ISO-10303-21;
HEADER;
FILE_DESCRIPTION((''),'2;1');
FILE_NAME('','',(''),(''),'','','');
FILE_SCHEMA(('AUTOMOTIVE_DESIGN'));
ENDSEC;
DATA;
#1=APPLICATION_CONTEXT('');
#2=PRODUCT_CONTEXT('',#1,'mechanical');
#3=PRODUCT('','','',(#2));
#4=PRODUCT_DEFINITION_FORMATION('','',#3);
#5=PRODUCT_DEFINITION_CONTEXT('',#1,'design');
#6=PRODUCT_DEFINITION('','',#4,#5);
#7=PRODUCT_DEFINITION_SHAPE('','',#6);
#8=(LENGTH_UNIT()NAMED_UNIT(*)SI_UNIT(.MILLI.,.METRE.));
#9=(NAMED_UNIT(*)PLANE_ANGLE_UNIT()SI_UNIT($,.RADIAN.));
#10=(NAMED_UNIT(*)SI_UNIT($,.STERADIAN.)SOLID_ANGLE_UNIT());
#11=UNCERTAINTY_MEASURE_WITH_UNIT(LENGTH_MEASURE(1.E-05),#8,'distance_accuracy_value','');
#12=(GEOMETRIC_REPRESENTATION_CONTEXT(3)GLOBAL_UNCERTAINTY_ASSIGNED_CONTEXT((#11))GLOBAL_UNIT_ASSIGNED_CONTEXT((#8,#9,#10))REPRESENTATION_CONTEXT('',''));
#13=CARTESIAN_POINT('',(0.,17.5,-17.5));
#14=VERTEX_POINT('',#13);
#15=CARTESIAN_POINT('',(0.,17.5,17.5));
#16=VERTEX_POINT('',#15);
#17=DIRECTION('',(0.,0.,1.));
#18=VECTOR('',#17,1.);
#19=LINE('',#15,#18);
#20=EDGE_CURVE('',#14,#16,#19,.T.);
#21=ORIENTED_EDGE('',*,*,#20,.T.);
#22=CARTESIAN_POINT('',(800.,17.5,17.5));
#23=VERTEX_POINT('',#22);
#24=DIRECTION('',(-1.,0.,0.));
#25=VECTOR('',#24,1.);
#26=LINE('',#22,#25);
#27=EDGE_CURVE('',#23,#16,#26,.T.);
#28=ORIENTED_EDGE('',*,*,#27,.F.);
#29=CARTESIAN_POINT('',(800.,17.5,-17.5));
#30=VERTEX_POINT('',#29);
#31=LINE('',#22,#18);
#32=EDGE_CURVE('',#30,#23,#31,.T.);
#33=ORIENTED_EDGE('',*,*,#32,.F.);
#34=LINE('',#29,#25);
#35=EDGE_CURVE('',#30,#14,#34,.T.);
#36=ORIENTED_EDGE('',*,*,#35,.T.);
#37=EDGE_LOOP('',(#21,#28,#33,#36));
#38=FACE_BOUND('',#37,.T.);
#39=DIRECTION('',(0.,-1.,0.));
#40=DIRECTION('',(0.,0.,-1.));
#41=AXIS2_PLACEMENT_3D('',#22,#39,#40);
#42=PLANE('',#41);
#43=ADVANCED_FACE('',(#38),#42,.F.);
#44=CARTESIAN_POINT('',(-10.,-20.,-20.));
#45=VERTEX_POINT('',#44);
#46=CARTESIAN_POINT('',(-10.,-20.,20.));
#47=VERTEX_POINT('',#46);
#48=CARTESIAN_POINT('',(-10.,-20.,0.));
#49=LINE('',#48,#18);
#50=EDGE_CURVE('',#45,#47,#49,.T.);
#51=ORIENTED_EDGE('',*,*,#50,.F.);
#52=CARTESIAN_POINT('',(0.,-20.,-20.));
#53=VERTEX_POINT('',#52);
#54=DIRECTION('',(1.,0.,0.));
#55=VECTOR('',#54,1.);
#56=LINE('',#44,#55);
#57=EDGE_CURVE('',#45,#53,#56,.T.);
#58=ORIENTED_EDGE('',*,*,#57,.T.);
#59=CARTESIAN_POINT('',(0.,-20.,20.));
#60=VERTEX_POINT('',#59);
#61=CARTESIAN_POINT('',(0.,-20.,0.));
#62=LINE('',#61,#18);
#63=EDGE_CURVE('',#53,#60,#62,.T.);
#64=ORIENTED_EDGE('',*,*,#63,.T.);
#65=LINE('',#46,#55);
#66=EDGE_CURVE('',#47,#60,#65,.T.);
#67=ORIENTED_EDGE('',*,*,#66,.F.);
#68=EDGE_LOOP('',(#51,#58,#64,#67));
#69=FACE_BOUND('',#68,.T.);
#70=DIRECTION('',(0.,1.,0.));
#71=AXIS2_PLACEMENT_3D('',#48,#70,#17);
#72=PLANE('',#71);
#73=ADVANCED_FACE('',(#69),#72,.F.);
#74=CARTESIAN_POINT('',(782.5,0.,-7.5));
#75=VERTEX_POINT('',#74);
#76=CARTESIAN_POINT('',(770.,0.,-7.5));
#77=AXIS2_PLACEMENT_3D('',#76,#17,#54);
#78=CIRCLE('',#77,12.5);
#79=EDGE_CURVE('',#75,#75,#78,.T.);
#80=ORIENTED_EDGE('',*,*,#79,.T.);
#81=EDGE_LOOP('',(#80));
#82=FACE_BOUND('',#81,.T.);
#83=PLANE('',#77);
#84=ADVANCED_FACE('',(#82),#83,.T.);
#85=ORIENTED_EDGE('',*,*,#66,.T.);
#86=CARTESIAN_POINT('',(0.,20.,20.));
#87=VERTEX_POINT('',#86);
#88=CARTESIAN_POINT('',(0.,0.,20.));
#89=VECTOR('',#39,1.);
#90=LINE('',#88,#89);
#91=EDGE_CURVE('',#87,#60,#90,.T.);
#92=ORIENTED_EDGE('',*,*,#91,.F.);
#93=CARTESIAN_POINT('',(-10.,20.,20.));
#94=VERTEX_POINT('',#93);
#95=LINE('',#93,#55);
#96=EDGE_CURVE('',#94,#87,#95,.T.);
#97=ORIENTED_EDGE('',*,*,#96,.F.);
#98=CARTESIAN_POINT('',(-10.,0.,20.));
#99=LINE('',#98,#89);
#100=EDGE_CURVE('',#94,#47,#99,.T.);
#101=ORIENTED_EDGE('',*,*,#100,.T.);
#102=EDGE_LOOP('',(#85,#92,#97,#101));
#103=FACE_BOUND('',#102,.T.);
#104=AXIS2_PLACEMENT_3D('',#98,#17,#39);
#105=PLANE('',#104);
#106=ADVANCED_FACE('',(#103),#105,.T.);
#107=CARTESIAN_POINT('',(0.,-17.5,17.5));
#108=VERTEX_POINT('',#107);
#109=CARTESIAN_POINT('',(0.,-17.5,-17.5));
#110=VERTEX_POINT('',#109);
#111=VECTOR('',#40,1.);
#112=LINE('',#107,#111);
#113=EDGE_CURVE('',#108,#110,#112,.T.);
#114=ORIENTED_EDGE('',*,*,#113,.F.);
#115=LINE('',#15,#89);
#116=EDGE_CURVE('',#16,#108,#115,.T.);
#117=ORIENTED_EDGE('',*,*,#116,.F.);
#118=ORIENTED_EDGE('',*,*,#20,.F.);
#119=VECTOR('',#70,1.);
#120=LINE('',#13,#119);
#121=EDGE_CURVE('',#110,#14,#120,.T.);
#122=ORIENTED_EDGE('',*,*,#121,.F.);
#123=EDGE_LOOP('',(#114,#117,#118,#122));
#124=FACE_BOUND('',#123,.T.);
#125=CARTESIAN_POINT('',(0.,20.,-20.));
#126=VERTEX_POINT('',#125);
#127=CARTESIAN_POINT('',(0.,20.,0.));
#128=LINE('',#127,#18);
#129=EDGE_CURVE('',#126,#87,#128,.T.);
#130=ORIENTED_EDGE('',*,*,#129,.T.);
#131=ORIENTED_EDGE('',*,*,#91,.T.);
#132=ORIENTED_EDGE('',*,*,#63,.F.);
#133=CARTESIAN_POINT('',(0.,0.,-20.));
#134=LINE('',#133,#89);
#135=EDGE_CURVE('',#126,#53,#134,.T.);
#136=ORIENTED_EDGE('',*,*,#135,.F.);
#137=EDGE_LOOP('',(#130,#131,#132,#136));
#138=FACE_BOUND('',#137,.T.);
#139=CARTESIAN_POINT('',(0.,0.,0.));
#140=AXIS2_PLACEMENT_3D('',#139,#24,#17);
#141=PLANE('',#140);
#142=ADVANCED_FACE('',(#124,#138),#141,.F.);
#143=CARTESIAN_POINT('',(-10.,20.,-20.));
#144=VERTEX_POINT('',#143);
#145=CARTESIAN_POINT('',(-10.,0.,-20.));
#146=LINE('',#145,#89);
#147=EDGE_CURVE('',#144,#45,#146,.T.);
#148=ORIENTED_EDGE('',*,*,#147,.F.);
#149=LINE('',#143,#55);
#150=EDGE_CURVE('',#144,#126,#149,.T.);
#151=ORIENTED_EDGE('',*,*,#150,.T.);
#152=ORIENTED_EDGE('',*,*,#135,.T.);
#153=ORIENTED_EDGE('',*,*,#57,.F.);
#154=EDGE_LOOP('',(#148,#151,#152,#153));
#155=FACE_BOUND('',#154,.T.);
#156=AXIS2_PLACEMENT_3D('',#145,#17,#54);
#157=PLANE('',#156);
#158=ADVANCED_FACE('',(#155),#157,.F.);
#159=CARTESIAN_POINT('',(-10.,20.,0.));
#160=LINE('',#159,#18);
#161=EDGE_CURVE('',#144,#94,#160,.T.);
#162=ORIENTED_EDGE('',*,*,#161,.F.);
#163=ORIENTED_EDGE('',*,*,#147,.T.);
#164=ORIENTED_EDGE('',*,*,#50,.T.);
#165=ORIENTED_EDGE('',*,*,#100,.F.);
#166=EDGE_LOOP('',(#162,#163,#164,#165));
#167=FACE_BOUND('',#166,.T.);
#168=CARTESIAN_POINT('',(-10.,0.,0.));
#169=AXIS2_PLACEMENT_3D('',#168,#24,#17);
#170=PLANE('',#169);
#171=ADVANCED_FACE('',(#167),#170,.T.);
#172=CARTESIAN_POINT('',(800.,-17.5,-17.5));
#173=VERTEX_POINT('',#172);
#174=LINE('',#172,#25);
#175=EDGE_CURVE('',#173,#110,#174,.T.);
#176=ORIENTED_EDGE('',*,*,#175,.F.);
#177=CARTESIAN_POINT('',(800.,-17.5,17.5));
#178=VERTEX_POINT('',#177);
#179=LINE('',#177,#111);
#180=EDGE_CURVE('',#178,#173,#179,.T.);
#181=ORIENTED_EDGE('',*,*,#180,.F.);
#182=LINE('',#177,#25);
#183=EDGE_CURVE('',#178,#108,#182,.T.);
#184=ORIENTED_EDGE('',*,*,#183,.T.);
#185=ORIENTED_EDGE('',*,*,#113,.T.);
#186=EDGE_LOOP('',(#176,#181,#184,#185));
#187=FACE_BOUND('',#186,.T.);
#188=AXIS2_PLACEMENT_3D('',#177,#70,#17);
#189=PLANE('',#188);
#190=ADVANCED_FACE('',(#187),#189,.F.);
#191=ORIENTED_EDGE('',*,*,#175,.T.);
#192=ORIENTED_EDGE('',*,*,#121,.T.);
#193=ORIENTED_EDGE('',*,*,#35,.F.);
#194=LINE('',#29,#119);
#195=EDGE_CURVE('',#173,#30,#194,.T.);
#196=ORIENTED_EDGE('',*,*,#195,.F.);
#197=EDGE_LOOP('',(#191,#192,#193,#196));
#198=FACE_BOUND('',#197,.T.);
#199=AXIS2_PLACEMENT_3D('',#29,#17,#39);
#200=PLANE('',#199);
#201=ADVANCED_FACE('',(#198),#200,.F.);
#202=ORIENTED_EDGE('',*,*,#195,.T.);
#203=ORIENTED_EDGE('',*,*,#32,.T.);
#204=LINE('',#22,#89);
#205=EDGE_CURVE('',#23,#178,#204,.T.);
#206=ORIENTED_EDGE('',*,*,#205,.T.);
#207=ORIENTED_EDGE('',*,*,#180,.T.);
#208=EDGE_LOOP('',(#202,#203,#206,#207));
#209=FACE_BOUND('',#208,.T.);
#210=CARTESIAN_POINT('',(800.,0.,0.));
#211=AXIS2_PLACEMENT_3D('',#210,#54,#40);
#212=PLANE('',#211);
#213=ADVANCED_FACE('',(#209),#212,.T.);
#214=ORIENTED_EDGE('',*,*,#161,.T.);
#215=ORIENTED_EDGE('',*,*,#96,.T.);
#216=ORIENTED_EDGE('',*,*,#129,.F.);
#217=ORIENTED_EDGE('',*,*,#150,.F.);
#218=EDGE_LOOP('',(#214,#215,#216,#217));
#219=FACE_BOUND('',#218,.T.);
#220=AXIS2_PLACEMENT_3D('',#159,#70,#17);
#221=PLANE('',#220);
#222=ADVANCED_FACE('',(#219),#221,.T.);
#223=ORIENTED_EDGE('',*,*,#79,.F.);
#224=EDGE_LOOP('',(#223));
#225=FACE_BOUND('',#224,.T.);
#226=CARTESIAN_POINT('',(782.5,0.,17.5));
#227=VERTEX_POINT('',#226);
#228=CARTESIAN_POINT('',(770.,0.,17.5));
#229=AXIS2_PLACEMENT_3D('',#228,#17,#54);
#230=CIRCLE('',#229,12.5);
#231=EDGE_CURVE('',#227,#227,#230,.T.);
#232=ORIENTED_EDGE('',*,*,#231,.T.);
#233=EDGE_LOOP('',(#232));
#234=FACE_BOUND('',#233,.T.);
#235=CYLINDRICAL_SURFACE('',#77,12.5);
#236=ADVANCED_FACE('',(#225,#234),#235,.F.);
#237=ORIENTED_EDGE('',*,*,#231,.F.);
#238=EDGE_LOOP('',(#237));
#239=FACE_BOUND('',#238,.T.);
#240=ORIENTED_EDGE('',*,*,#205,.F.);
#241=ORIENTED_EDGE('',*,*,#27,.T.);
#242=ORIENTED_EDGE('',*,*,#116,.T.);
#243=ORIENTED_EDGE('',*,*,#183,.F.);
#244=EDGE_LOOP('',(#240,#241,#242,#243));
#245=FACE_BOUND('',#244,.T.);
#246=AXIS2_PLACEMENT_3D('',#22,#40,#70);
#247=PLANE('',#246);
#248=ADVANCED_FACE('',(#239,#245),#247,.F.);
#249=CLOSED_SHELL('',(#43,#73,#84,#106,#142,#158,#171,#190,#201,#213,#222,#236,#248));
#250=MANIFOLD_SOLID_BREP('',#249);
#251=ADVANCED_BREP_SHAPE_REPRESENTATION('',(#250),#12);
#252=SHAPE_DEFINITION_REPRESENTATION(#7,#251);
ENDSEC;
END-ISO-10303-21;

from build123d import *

# Parameters (mm, degrees)
ESQUISSE1_W             = 35
ESQUISSE1_H             = 35
BOSS_EXTRU_1_DEPTH      = 800
ESQUISSE2_W             = 40
ESQUISSE2_H             = 40
ESQUISSE2_W_2           = 35
ESQUISSE2_H_2           = 35
BOSS_EXTRU_2_DEPTH      = 10
ESQUISSE7_R             = 12.5
ENL_V_MAT_EXTRU_1_DEPTH = 25


with BuildPart() as part:
    # Esquisse1 → Boss.-Extru.1 (new body)
    with BuildSketch(Plane(origin=(0, 0, 0), x_dir=(0, 0, -1), z_dir=(1, 0, 0))):
        Rectangle(ESQUISSE1_W, ESQUISSE1_H)
    extrude(amount=BOSS_EXTRU_1_DEPTH)

    # Esquisse2 → Boss.-Extru.2 (add)
    # profile 1 of 2: a face of its own
    with BuildSketch(Plane.ZY):
        Rectangle(ESQUISSE2_W, ESQUISSE2_H)
        Rectangle(ESQUISSE2_W_2, ESQUISSE2_H_2, mode=Mode.SUBTRACT)
    # profile 2 of 2: a face of its own
    with BuildSketch(Plane.ZY):
        Rectangle(ESQUISSE2_W_2, ESQUISSE2_H_2)
    extrude(amount=BOSS_EXTRU_2_DEPTH)

    # Esquisse7 → Enlèv. mat.-Extru.1 (cut)
    with BuildSketch(Plane.XY.offset(17.5)):
        with Locations((770, 0)):
            Circle(ESQUISSE7_R)
    extrude(amount=-ENL_V_MAT_EXTRU_1_DEPTH, mode=Mode.SUBTRACT)


solid = part.part
